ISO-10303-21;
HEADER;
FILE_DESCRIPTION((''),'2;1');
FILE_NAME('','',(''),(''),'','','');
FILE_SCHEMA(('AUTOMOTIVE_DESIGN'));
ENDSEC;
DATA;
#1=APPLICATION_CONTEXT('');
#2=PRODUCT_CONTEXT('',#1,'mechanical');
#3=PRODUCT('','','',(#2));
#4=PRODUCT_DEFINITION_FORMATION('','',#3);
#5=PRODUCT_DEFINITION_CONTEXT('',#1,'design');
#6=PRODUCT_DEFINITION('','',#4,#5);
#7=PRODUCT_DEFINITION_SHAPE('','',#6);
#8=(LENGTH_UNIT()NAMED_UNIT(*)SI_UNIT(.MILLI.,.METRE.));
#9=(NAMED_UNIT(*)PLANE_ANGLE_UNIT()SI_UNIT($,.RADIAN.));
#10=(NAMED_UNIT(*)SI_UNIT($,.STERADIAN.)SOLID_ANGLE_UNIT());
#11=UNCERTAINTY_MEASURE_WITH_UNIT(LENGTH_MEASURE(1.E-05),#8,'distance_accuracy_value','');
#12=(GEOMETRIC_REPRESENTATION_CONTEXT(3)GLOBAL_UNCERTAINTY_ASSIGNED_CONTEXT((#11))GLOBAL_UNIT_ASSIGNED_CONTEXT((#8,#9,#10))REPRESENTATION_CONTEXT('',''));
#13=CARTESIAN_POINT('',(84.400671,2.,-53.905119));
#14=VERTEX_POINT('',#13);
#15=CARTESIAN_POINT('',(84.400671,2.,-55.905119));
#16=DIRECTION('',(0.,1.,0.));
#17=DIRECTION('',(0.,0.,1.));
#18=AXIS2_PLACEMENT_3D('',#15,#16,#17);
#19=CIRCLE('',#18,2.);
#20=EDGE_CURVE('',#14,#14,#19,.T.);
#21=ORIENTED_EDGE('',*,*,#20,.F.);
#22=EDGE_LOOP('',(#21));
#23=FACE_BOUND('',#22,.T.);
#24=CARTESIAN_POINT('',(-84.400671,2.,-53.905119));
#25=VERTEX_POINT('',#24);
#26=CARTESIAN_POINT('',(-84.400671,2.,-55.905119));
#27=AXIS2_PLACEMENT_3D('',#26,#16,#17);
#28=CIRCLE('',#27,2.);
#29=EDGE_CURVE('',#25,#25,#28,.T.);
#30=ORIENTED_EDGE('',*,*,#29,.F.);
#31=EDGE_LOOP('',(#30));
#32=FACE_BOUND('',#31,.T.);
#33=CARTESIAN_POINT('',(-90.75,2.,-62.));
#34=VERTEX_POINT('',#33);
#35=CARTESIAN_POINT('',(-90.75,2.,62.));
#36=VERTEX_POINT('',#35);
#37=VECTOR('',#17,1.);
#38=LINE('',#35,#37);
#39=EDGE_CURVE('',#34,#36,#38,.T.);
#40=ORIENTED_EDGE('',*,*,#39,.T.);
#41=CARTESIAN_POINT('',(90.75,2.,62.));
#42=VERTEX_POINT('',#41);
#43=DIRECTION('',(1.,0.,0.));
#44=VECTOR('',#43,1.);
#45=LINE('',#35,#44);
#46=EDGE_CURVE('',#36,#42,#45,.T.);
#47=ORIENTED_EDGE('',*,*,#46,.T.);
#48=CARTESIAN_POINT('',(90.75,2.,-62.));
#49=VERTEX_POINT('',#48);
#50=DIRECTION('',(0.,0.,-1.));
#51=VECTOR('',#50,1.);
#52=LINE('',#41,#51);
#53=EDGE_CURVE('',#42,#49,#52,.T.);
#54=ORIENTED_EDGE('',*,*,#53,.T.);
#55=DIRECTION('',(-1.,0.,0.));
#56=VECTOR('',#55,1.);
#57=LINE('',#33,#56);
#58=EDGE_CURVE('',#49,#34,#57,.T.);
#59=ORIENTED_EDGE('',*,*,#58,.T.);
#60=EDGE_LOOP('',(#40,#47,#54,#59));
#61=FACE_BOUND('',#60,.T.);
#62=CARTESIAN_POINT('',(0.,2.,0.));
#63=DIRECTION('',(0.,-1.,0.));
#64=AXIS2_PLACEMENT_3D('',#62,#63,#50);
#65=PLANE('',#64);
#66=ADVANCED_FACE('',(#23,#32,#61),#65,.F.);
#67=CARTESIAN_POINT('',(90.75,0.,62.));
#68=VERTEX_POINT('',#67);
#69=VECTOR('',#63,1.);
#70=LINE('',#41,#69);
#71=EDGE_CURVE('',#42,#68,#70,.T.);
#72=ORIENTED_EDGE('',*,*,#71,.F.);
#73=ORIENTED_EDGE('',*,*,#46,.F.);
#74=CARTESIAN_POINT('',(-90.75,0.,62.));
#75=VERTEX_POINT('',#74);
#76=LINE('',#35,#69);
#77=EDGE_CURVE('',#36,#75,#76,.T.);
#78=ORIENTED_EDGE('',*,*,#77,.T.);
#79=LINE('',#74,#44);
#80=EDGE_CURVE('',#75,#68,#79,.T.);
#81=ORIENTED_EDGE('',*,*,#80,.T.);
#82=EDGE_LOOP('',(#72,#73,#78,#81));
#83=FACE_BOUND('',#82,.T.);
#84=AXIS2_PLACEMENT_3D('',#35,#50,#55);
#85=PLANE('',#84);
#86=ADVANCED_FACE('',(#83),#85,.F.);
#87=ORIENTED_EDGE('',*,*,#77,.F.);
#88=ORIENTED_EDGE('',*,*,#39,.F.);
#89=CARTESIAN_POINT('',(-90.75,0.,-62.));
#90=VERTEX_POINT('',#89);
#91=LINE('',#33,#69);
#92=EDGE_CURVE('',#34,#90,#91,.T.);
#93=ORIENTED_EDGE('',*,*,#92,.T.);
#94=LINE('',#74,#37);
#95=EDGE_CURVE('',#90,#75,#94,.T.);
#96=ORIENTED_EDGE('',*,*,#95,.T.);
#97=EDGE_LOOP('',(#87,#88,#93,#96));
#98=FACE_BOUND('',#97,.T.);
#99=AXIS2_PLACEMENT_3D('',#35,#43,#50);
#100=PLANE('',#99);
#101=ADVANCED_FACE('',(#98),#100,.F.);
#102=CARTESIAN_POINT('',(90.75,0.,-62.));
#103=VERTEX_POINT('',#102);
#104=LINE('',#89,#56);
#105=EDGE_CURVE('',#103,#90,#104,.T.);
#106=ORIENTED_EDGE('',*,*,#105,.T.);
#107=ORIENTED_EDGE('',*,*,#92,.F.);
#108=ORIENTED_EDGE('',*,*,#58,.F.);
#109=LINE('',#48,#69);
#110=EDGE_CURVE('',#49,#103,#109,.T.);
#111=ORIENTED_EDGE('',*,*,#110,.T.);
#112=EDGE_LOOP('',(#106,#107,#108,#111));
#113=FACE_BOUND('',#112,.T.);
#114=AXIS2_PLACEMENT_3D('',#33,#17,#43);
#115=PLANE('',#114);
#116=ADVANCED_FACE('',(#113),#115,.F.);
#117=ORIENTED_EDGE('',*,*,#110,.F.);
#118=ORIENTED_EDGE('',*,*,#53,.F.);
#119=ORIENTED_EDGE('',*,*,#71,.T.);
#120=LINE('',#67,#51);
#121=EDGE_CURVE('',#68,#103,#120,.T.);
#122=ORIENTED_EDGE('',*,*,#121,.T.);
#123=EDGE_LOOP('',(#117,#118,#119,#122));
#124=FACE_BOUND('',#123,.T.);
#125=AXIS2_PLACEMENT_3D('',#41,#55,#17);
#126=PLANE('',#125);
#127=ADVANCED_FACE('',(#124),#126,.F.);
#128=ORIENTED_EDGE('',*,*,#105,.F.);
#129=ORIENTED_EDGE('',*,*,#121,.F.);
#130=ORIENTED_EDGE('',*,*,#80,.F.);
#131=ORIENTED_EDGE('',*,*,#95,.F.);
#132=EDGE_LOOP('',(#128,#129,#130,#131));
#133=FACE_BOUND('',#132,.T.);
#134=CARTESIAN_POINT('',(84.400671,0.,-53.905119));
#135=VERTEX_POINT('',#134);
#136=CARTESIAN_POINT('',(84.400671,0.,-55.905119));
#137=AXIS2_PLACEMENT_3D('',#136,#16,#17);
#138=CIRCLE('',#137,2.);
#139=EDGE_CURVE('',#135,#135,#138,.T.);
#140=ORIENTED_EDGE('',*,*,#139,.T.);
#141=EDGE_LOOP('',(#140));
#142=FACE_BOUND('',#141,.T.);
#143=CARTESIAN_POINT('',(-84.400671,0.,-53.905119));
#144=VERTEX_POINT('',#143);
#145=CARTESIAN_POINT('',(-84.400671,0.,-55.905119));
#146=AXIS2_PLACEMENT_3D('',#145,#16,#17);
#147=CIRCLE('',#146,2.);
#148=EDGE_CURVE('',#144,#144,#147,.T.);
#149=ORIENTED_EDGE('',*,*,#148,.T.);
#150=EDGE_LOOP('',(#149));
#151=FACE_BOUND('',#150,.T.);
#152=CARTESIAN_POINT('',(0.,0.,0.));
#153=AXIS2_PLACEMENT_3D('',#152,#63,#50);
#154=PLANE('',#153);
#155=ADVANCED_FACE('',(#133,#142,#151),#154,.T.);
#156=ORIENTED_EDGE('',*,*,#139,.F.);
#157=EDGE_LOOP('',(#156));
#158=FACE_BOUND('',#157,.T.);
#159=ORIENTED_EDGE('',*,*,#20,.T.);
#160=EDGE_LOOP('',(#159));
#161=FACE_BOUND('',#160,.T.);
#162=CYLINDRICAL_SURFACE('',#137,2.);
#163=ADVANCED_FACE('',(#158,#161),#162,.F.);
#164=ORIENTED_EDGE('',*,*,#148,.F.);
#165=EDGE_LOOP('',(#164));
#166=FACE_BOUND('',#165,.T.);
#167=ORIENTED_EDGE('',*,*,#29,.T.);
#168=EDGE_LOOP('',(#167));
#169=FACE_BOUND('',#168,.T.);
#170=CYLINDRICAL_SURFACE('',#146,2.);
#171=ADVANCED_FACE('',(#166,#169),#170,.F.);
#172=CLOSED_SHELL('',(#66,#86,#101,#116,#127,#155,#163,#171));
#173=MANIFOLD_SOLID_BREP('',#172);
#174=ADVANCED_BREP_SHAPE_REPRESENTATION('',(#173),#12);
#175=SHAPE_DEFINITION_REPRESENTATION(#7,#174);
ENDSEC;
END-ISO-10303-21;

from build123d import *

# Parameters (mm, degrees)
SKETCH1_W           = 181.5
SKETCH1_H           = 124
BOSS_EXTRUDE1_DEPTH = 2
SKETCH3_R           = 2
CUT_EXTRUDE1_DEPTH  = 3


with BuildPart() as part:
    # Sketch1 → Boss-Extrude1 (new body)
    with BuildSketch(Plane(origin=(0, 0, 0), x_dir=(1, 0, 0), z_dir=(0, 1, 0))):
        Rectangle(SKETCH1_W, SKETCH1_H)
    extrude(amount=BOSS_EXTRUDE1_DEPTH)

    # Sketch3 → Cut-Extrude1 (cut, through all)
    with BuildSketch(Plane(origin=(0, 2, 0), x_dir=(1, 0, 0), z_dir=(0, 1, 0))):
        with Locations((-84.400671125, 55.905118791)):
            Circle(SKETCH3_R)
        with Locations((84.400671125, 55.905118791)):
            Circle(SKETCH3_R)
    extrude(amount=-CUT_EXTRUDE1_DEPTH, mode=Mode.SUBTRACT)


solid = part.part
